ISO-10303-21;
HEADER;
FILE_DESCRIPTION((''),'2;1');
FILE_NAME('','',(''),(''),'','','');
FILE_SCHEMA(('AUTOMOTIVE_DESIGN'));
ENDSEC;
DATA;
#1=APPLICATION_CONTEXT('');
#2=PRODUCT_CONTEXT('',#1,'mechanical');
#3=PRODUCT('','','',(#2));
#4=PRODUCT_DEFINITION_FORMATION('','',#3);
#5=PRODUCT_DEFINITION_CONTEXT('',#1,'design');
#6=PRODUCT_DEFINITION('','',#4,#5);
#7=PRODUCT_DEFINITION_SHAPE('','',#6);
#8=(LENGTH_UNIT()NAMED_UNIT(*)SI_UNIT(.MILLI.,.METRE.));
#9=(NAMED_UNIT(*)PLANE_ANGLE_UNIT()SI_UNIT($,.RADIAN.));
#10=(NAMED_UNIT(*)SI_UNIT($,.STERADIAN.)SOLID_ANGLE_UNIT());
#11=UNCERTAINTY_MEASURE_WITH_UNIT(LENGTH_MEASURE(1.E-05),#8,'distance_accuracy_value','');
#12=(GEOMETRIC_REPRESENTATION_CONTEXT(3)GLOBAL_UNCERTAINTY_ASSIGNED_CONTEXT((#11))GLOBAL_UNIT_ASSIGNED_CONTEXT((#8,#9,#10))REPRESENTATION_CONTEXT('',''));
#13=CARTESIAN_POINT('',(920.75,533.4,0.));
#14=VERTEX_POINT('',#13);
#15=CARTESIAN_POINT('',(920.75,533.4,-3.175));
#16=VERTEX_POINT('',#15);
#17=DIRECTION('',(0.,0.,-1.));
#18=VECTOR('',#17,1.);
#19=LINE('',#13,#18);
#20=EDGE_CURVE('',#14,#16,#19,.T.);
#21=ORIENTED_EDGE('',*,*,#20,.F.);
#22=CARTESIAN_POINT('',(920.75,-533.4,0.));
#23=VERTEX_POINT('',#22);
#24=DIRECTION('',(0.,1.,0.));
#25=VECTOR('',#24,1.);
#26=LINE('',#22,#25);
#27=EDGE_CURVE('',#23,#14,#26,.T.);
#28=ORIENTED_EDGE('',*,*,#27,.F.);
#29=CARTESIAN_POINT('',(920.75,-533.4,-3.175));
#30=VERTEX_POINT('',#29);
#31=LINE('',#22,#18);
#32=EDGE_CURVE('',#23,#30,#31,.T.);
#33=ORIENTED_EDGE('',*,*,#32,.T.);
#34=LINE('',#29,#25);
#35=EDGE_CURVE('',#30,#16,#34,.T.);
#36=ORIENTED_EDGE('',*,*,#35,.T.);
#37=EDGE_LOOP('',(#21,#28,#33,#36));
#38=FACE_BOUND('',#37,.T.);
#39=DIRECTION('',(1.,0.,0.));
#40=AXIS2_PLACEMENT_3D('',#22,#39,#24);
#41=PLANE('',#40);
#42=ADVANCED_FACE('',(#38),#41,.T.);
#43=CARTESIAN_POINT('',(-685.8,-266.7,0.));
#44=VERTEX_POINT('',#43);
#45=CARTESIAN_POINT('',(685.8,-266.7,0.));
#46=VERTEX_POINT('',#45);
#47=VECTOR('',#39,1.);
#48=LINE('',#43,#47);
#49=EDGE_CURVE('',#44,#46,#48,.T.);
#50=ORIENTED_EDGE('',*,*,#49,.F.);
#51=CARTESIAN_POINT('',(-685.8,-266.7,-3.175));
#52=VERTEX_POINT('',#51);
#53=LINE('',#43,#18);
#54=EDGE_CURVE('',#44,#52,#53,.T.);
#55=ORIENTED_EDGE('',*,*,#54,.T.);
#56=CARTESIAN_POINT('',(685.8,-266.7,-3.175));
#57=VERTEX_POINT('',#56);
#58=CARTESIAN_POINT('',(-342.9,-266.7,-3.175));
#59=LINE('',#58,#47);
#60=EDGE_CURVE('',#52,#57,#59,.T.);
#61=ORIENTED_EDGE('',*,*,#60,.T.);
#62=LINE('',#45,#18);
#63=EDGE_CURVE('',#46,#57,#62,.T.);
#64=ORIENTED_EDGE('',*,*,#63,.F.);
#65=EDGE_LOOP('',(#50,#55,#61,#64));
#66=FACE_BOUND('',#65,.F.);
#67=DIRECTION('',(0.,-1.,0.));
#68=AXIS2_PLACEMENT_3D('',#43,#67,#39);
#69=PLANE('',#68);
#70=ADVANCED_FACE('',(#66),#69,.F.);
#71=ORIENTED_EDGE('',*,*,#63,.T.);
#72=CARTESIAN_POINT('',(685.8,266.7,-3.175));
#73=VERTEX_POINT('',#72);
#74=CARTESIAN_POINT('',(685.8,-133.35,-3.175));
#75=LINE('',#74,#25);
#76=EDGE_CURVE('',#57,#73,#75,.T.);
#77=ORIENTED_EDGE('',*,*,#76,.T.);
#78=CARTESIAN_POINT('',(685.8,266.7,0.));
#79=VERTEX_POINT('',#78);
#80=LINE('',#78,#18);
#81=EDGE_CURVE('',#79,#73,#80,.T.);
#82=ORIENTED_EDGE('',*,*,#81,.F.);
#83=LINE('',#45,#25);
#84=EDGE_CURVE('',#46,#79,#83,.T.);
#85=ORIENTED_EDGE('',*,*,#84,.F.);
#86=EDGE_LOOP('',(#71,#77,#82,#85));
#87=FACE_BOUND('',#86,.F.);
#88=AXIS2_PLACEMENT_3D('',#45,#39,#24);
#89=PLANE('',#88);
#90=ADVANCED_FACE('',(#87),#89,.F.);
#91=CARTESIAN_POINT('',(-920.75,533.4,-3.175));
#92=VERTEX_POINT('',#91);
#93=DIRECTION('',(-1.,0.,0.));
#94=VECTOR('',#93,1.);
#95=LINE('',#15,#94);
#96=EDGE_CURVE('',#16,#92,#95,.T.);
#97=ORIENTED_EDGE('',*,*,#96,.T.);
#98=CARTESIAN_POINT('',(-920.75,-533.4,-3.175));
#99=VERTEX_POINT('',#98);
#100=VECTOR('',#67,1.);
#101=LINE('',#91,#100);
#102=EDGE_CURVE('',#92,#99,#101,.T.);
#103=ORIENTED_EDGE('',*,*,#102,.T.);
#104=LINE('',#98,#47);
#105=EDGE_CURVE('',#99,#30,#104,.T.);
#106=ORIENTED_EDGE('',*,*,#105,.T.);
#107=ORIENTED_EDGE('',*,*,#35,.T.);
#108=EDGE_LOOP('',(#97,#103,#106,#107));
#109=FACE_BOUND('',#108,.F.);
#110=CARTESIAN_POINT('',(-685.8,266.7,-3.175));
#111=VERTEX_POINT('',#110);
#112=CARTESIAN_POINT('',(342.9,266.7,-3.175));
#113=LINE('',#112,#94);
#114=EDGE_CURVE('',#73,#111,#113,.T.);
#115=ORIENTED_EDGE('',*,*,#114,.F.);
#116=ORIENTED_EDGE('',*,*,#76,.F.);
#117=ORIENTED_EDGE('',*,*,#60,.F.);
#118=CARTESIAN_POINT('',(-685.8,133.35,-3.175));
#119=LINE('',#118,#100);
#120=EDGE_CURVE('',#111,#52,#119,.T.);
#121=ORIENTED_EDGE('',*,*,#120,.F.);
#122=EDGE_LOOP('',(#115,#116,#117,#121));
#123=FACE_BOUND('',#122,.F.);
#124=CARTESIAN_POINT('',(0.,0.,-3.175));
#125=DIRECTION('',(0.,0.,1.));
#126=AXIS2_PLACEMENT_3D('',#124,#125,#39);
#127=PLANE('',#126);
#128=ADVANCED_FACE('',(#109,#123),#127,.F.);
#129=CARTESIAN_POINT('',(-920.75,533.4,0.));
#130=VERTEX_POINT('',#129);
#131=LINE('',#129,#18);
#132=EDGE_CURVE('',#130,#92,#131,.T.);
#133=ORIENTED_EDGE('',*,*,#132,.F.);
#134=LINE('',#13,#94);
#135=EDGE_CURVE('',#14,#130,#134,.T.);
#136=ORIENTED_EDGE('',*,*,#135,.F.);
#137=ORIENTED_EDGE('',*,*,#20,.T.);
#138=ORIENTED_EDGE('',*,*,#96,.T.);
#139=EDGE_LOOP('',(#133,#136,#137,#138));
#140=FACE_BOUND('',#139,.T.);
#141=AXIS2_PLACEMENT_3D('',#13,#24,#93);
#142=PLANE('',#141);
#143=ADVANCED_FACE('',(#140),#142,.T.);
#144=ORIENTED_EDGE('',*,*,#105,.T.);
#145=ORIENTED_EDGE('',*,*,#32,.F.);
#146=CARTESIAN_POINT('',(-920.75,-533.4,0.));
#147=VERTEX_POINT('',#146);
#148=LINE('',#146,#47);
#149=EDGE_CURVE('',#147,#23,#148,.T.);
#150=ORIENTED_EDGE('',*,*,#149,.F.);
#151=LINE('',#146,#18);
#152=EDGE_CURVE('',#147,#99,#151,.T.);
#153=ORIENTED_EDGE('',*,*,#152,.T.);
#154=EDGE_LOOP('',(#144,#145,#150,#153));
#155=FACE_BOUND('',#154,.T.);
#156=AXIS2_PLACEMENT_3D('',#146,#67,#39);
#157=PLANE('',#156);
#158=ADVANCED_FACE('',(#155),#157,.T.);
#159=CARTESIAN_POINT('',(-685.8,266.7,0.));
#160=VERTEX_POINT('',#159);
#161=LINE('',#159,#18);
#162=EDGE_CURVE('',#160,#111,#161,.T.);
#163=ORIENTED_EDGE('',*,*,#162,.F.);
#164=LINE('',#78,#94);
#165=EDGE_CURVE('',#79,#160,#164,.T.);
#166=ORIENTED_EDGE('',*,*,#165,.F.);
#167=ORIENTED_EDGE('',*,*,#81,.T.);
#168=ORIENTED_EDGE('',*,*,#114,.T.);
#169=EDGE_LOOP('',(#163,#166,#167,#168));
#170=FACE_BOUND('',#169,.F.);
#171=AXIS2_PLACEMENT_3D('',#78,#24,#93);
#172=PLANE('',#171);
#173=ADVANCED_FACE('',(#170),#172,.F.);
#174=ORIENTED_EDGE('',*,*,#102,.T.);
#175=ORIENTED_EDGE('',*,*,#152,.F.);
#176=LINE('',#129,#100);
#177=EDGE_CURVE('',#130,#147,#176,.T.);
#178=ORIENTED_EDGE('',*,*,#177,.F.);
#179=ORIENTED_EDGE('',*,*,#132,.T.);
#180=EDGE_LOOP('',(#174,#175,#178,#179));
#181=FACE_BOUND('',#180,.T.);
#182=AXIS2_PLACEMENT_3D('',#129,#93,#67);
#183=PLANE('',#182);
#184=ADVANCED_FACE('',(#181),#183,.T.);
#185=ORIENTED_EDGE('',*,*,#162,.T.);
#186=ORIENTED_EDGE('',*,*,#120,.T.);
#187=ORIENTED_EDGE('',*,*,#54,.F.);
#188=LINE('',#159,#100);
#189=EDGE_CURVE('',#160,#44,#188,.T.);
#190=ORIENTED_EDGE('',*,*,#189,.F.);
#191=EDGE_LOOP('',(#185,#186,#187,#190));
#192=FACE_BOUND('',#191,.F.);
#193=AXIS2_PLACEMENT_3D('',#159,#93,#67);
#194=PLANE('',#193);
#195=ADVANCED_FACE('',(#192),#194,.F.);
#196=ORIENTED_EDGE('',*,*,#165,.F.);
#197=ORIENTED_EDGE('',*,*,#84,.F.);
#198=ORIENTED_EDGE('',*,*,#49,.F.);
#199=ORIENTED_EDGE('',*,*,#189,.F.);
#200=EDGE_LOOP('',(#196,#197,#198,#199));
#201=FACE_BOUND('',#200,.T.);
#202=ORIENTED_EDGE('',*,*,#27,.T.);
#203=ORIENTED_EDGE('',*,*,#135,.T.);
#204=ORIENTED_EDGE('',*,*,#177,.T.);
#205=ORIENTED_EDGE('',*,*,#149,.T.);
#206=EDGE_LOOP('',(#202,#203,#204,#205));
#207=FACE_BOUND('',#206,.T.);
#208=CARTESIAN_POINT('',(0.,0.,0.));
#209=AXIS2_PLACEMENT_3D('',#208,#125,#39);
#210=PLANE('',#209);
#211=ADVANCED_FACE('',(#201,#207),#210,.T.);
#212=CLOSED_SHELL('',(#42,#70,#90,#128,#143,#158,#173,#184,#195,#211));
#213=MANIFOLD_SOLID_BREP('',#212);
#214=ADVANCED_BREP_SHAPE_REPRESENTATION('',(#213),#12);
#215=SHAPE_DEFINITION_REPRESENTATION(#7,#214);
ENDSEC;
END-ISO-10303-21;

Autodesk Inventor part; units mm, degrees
ref_plane "YZ Plane" through (0, 0, 0) normal (1, 0, 0) x (0, 1, 0)
ref_plane "XZ Plane" through (0, 0, 0) normal (0, 1, 0) x (-1, 0, 0)
ref_plane "XY Plane" through (0, 0, 0) normal (0, 0, 1) x (1, 0, 0)
sketch "Sketch1" plane through (0, 0, 0) normal (0, 0, 1) x (1, 0, 0)
  line L0 (-920.75, -533.4) -> (920.75, -533.4)
  line L1 (920.75, -533.4) -> (920.75, 533.4)
  line L2 (920.75, 533.4) -> (-920.75, 533.4)
  line L3 (-920.75, 533.4) -> (-920.75, -533.4)
  line L4 (-920.75, -533.4) -> (920.75, 533.4) construction
  line L5 (920.75, -533.4) -> (-920.75, 533.4) construction
  point P0 (0, 0)
  dimension "d0" = 1841.5
  dimension "d1" = 1066.8
extrude "Extrusion1" add sketch "Sketch1" against normal blind 3.175
sketch "Sketch2" plane through (0, 0, 0) normal (0, 0, 1) x (1, 0, 0)
  line L0 (-920.75, -533.4) -> (920.75, -533.4) projected
  line L1 (920.75, -533.4) -> (920.75, 533.4) projected
  line L2 (920.75, 533.4) -> (-920.75, 533.4) projected
  line L3 (-920.75, 533.4) -> (-920.75, -533.4) projected
  line L4 (-685.8, -266.7) -> (685.8, -266.7)
  line L5 (685.8, -266.7) -> (685.8, 266.7)
  line L6 (685.8, 266.7) -> (-685.8, 266.7)
  line L7 (-685.8, 266.7) -> (-685.8, -266.7)
  point P0 (0, 0)
  dimension "d4" = 234.95
  dimension "d5" = 266.7
  dimension "d6" = 234.95
  dimension "d7" = 266.7
extrude "Extrusion2" cut sketch "Sketch2" against normal through all contours L7 L6 L5 L4
properties part number "GE-13011B" material "Polyethylene, High Density"
